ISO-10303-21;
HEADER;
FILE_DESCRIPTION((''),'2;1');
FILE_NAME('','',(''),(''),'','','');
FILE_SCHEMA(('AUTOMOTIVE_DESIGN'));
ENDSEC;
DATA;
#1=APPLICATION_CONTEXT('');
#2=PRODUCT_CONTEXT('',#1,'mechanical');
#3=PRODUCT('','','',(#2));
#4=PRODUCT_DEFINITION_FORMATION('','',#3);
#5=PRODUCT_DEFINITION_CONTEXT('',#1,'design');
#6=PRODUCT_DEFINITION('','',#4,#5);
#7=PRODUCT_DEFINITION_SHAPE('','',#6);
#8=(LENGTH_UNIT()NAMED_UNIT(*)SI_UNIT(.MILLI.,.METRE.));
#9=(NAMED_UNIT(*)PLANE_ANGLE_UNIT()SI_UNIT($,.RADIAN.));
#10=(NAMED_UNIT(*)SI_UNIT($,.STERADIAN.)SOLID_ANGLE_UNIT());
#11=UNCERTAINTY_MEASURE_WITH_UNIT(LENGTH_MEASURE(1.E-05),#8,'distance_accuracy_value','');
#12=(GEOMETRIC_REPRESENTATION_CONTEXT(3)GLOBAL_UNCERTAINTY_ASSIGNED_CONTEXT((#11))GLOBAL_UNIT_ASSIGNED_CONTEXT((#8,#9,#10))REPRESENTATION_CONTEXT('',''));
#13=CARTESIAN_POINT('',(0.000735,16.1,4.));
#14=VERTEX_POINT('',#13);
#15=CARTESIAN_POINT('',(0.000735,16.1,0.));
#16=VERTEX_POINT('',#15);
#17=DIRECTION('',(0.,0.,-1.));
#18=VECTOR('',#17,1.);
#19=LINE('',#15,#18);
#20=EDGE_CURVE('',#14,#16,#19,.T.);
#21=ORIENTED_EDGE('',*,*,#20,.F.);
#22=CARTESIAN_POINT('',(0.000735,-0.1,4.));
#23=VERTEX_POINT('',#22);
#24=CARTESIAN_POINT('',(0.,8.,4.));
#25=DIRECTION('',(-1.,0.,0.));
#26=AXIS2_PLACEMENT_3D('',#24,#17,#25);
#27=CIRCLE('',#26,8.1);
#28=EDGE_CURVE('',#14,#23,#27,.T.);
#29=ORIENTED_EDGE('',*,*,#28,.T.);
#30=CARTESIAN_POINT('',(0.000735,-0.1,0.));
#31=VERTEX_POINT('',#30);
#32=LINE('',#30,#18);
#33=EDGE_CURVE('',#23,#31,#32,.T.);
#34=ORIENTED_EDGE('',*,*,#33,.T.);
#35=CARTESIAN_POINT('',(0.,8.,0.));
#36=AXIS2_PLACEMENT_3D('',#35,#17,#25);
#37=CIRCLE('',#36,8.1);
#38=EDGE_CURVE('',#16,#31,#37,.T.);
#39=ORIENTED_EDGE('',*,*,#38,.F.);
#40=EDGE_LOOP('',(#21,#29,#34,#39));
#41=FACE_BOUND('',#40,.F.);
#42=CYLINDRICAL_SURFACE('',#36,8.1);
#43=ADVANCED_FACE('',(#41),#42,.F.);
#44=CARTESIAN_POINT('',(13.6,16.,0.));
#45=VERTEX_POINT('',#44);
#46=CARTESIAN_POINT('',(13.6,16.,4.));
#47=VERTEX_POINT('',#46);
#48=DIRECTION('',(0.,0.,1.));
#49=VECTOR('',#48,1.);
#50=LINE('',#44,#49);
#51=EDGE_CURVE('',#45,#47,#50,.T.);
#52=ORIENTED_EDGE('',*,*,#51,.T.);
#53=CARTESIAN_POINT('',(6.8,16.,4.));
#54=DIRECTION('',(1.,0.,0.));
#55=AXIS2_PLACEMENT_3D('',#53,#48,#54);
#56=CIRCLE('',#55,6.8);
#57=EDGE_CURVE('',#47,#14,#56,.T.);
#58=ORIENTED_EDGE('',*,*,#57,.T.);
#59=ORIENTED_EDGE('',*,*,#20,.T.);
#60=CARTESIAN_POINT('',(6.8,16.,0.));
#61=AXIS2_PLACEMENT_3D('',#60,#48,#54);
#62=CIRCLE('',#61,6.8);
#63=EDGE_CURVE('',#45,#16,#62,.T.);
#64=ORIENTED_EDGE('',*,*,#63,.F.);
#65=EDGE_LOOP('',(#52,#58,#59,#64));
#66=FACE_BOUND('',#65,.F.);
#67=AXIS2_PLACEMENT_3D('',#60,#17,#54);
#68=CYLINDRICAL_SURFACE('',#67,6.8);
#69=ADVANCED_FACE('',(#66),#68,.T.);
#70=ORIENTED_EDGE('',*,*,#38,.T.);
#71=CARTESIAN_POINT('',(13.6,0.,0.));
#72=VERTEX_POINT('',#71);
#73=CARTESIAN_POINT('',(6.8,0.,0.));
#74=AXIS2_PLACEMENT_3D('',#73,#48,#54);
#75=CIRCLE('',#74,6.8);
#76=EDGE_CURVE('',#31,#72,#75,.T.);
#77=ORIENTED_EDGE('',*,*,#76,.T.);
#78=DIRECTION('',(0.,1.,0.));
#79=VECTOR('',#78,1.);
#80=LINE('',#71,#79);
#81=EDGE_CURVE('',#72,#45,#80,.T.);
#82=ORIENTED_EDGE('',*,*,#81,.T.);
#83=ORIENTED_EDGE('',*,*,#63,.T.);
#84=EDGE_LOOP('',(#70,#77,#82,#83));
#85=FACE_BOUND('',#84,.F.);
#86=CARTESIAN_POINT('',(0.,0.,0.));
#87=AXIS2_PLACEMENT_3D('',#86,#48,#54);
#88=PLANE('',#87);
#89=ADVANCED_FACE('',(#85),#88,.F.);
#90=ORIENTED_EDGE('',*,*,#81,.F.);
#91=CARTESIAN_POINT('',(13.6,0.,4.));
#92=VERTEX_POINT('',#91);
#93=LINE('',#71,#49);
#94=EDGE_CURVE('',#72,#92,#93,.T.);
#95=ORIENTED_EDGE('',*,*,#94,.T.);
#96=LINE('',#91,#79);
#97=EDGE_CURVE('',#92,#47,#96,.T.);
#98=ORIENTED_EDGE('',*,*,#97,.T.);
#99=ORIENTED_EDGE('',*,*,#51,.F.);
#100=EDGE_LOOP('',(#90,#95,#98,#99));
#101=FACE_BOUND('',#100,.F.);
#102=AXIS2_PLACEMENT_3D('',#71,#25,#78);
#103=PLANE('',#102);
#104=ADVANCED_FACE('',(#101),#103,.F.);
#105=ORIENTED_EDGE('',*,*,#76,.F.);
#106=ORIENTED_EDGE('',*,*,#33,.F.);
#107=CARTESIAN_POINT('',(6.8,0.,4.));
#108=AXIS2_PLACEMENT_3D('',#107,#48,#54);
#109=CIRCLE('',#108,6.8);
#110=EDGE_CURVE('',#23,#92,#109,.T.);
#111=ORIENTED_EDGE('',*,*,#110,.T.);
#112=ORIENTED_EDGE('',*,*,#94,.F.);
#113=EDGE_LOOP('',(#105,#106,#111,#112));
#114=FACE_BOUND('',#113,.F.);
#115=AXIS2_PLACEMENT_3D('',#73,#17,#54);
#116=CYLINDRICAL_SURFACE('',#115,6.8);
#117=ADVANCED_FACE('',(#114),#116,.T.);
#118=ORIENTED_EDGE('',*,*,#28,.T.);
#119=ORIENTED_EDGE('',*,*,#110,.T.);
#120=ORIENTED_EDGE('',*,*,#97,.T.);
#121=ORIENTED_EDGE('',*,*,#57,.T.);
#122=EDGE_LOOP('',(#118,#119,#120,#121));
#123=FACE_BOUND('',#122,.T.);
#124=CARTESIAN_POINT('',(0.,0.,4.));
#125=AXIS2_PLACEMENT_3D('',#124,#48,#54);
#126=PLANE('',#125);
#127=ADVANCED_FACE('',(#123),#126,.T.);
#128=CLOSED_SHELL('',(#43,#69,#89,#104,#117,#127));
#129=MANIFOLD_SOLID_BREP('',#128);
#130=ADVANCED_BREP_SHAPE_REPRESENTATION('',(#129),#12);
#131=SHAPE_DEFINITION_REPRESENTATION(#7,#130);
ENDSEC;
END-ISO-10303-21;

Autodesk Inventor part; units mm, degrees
ref_plane "YZ Plane" through (0, 0, 0) normal (1, 0, 0) x (0, 1, 0)
ref_plane "XZ Plane" through (0, 0, 0) normal (0, 1, 0) x (-1, 0, 0)
ref_plane "XY Plane" through (0, 0, 0) normal (0, 0, 1) x (1, 0, 0)
sketch "Sketch1" plane through (0, 0, 0) normal (0, 0, 1) x (1, 0, 0)
  line L0 (0, 0) -> (13.6, 0)
  line L1 (13.6, 0) -> (13.6, 16)
  line L2 (13.6, 16) -> (0, 16)
  line L3 (0, 16) -> (0, 0)
  circle A0 centre (6.8, 16) radius 6.8
  circle A1 centre (6.8, 0) radius 6.8
  dimension "d0" = 16
  dimension "d1" = 13.6
extrude "Extrusion1" add sketch "Sketch1" along normal blind 4
sketch "Sketch2" plane through (0, 0, 0) normal (0, 0, -1) x (-1, 0, 0)
  line L0 (0, 16) -> (0, 0) projected
  circle A0 centre (0, 8) radius 8.1
  dimension "d5" = 16.2
extrude "Extrusion2" cut sketch "Sketch2" along normal through all both and the other way through all
equation "\"RodDiameter\" = 8"
equation "\"VerticalBearingOD\" = 16"
equation "\"PrintingClearance\" = 0.2"
equation "\"TubeID\" = 18"
properties part number "ExtruderLock"
